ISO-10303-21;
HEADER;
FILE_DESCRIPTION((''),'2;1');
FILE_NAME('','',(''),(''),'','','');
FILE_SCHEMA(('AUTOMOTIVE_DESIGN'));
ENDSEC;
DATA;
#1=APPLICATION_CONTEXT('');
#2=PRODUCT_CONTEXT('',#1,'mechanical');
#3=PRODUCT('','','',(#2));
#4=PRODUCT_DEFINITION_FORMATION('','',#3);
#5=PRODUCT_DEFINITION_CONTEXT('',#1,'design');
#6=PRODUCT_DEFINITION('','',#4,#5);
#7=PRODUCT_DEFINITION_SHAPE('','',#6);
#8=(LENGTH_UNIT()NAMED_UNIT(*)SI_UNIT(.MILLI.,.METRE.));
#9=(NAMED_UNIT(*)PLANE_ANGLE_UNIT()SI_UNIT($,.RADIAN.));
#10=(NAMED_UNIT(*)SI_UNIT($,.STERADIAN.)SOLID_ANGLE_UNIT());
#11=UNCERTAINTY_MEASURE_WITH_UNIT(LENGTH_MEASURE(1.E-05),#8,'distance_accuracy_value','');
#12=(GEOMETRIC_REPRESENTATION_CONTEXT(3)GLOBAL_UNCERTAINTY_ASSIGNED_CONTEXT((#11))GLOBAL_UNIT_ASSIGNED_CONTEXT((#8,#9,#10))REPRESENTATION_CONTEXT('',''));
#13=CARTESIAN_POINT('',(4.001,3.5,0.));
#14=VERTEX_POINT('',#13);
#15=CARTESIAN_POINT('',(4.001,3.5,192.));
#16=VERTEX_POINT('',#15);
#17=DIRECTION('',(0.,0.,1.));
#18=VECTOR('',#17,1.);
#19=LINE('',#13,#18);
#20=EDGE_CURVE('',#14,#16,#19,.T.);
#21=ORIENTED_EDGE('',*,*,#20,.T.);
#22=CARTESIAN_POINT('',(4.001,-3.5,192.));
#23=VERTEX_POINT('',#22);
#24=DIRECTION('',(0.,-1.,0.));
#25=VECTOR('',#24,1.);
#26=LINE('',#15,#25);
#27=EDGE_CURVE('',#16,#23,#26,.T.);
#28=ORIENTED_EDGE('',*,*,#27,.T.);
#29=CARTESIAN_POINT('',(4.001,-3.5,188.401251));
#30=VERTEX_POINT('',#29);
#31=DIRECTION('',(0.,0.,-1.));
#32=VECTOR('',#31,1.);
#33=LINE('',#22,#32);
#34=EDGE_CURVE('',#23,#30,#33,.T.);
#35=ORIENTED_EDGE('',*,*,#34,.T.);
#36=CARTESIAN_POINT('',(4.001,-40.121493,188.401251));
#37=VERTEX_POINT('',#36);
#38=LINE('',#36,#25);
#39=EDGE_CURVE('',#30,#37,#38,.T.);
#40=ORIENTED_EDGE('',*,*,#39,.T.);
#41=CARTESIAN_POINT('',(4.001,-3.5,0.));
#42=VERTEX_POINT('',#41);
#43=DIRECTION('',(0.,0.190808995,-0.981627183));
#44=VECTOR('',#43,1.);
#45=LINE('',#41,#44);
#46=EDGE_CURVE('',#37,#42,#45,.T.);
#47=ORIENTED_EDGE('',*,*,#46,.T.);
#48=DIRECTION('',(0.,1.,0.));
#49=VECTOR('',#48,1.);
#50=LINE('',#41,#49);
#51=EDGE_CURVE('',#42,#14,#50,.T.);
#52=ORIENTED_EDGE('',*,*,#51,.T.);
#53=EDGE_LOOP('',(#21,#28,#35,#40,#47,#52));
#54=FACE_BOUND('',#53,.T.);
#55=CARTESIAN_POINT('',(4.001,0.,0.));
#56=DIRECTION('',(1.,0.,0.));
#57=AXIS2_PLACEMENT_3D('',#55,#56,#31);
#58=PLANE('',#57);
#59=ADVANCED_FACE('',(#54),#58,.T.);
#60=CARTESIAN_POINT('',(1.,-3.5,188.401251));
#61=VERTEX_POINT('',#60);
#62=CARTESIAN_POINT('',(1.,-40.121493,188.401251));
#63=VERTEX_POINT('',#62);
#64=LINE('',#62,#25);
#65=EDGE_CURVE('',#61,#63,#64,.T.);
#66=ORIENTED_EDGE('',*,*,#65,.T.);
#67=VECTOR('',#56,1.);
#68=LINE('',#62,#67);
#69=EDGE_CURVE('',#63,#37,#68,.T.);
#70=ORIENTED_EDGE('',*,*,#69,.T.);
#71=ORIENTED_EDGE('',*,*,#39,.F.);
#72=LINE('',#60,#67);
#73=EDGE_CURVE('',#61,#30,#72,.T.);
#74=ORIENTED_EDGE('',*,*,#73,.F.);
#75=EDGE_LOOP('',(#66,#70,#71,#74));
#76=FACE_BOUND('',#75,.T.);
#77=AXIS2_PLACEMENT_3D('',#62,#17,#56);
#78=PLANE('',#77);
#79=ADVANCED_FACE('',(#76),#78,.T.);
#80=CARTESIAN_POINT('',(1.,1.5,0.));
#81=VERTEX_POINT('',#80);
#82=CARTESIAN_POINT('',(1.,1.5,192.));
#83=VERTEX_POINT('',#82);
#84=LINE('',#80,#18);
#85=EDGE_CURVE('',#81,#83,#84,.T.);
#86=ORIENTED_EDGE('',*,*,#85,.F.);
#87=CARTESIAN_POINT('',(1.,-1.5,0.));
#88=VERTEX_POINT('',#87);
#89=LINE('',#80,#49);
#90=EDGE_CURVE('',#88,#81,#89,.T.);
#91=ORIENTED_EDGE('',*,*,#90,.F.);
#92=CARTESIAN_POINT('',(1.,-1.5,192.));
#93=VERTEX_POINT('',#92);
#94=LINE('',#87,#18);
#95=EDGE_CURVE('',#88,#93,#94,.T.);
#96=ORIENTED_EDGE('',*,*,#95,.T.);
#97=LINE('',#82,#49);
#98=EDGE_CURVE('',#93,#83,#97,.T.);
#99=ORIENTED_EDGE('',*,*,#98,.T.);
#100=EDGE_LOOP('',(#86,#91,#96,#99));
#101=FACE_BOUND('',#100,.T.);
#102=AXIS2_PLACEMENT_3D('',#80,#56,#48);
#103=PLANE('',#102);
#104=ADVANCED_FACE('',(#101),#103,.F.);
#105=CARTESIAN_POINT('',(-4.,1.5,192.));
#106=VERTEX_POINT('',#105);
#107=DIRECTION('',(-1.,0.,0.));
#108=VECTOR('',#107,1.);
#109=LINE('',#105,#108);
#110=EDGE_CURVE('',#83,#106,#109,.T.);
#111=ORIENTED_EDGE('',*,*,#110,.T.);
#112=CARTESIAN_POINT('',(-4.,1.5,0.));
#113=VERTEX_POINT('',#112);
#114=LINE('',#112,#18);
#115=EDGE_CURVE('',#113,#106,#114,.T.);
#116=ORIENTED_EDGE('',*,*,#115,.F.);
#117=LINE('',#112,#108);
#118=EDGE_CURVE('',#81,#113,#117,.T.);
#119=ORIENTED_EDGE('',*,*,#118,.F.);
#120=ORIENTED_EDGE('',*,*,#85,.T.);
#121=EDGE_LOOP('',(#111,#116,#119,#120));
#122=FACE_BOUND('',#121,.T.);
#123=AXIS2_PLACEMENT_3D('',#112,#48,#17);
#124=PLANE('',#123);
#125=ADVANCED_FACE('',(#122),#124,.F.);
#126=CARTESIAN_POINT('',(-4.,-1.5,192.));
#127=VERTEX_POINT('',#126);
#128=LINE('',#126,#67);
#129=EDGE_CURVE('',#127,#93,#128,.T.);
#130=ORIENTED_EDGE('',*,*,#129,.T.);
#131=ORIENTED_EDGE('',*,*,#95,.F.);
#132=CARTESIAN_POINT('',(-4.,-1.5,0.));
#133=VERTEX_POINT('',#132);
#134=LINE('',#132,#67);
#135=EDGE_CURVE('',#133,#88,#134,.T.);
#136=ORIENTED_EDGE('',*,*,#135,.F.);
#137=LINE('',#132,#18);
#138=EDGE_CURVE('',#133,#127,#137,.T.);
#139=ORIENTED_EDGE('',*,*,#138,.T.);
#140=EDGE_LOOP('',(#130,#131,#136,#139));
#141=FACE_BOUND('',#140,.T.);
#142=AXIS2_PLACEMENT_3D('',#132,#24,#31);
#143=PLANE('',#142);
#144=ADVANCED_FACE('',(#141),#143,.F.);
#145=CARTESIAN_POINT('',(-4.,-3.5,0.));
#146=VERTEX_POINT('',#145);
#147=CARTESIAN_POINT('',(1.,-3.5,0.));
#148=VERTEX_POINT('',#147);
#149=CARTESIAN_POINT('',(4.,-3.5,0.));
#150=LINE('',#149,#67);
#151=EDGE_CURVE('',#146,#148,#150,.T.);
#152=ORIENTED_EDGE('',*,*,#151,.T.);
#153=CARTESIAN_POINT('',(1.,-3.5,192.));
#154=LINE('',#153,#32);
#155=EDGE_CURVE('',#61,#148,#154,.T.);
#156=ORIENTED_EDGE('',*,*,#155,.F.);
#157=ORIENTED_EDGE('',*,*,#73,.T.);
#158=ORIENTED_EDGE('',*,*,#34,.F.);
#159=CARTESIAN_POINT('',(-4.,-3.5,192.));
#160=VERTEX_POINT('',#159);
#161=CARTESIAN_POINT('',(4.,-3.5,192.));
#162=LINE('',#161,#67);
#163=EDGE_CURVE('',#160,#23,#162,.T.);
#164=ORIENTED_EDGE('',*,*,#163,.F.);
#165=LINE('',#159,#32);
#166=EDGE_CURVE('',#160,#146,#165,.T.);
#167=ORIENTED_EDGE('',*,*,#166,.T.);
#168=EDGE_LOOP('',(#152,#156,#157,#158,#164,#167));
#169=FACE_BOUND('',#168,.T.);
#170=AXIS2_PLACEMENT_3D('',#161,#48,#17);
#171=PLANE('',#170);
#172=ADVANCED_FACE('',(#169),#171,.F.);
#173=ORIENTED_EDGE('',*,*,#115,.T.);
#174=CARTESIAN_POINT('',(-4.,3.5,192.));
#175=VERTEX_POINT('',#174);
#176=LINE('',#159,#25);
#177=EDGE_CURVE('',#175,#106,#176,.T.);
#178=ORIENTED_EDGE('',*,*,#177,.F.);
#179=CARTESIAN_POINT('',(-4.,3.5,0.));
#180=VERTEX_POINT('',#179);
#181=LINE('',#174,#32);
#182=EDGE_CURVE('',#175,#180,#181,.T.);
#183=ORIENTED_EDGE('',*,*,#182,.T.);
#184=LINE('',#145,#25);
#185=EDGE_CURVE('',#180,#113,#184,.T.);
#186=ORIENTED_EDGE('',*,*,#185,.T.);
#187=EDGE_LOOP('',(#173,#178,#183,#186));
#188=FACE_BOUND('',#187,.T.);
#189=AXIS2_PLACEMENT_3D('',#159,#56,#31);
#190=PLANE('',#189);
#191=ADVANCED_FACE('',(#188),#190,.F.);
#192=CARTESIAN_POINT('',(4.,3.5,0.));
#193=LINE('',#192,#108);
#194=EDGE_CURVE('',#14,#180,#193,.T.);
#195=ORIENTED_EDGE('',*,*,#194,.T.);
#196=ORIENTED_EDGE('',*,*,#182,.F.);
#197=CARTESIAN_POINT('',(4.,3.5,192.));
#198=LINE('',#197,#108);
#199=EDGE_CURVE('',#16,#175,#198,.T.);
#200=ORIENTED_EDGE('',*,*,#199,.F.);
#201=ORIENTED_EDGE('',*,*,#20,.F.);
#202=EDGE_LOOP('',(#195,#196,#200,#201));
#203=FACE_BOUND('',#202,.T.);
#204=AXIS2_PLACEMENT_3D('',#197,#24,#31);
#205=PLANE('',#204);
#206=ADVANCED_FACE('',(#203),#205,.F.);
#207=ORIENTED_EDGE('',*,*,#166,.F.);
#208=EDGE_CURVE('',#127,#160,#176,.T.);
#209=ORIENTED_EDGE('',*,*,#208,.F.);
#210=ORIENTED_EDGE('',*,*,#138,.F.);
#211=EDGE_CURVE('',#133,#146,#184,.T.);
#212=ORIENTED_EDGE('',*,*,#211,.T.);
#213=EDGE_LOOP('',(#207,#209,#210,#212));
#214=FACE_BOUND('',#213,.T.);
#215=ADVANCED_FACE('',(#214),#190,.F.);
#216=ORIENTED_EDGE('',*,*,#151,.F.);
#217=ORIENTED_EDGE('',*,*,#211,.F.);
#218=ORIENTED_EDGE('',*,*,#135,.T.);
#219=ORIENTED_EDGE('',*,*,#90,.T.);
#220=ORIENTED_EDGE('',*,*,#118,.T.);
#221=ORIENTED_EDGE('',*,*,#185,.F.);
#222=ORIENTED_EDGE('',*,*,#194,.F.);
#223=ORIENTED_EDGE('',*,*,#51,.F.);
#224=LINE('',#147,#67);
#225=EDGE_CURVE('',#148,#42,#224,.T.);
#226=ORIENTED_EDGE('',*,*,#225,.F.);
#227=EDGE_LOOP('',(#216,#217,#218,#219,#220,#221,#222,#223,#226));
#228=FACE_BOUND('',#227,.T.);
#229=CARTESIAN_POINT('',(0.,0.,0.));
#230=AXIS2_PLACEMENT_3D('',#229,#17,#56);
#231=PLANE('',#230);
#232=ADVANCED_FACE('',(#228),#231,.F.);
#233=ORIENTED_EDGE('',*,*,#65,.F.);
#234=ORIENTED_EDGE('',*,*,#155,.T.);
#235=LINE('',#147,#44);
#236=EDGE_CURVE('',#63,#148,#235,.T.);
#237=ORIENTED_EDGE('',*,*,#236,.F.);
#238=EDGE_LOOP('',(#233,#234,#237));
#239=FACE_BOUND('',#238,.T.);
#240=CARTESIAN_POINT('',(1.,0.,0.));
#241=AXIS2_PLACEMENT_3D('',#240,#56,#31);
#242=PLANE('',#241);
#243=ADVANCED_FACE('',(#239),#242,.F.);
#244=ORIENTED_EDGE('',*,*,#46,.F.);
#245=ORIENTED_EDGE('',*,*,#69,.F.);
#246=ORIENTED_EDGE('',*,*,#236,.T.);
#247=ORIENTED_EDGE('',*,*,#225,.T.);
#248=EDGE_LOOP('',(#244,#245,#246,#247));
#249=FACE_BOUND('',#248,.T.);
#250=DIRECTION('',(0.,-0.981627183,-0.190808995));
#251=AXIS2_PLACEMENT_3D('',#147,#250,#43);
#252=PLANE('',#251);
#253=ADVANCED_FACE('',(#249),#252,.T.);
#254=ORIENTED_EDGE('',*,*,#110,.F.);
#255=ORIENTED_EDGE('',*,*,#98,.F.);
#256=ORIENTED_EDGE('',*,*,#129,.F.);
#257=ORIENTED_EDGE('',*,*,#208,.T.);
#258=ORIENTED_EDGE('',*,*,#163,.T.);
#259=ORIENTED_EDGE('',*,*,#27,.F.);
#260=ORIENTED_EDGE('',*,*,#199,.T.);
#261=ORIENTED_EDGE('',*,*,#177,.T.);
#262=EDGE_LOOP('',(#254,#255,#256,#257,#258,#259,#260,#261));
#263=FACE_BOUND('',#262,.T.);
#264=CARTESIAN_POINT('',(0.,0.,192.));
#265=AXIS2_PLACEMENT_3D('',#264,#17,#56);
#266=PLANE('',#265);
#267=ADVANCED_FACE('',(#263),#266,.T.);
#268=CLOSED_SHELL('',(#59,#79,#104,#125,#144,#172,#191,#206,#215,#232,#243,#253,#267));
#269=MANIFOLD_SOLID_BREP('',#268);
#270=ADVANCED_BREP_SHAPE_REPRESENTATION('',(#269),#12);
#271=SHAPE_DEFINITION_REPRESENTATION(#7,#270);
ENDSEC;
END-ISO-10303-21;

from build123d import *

# Parameters (mm, degrees)
SKETCH1_W                = 8
SKETCH1_H                = 7
BOSS_EXTRUDE1_DEPTH      = 192
SKETCH2_W                = 5
SKETCH2_H                = 3
CUT_EXTRUDE1_DEPTH       = 192
BOSS_EXTRUDE2_DEPTH      = 0.001
BOSS_EXTRUDE2_DEPTH_BACK = 3


with BuildPart() as part:
    # Sketch1 → Boss-Extrude1 (new body)
    with BuildSketch(Plane.XY):
        Rectangle(SKETCH1_W, SKETCH1_H)
    extrude(amount=BOSS_EXTRUDE1_DEPTH)

    # Sketch2 → Cut-Extrude1 (cut)
    with BuildSketch(Plane.XY.offset(192)):
        with Locations((-1.5, 0)):
            Rectangle(SKETCH2_W, SKETCH2_H)
    extrude(amount=-CUT_EXTRUDE1_DEPTH, mode=Mode.SUBTRACT)

    # Sketch3 → Boss-Extrude2 (add, two sides: drawn at the far end of the back side and taken through both)
    with BuildSketch(Plane(origin=(4, 0, 0), x_dir=(0, 0, -1), z_dir=(1, 0, 0)).offset(-BOSS_EXTRUDE2_DEPTH_BACK)):
        Polygon((0, -3.5), (-188.401251416, -40.121493492), (-188.401251416, -3.5), (-192, -3.5), (-192, 3.5), (0, 3.5), align=None)
    extrude(amount=BOSS_EXTRUDE2_DEPTH + BOSS_EXTRUDE2_DEPTH_BACK)


solid = part.part
